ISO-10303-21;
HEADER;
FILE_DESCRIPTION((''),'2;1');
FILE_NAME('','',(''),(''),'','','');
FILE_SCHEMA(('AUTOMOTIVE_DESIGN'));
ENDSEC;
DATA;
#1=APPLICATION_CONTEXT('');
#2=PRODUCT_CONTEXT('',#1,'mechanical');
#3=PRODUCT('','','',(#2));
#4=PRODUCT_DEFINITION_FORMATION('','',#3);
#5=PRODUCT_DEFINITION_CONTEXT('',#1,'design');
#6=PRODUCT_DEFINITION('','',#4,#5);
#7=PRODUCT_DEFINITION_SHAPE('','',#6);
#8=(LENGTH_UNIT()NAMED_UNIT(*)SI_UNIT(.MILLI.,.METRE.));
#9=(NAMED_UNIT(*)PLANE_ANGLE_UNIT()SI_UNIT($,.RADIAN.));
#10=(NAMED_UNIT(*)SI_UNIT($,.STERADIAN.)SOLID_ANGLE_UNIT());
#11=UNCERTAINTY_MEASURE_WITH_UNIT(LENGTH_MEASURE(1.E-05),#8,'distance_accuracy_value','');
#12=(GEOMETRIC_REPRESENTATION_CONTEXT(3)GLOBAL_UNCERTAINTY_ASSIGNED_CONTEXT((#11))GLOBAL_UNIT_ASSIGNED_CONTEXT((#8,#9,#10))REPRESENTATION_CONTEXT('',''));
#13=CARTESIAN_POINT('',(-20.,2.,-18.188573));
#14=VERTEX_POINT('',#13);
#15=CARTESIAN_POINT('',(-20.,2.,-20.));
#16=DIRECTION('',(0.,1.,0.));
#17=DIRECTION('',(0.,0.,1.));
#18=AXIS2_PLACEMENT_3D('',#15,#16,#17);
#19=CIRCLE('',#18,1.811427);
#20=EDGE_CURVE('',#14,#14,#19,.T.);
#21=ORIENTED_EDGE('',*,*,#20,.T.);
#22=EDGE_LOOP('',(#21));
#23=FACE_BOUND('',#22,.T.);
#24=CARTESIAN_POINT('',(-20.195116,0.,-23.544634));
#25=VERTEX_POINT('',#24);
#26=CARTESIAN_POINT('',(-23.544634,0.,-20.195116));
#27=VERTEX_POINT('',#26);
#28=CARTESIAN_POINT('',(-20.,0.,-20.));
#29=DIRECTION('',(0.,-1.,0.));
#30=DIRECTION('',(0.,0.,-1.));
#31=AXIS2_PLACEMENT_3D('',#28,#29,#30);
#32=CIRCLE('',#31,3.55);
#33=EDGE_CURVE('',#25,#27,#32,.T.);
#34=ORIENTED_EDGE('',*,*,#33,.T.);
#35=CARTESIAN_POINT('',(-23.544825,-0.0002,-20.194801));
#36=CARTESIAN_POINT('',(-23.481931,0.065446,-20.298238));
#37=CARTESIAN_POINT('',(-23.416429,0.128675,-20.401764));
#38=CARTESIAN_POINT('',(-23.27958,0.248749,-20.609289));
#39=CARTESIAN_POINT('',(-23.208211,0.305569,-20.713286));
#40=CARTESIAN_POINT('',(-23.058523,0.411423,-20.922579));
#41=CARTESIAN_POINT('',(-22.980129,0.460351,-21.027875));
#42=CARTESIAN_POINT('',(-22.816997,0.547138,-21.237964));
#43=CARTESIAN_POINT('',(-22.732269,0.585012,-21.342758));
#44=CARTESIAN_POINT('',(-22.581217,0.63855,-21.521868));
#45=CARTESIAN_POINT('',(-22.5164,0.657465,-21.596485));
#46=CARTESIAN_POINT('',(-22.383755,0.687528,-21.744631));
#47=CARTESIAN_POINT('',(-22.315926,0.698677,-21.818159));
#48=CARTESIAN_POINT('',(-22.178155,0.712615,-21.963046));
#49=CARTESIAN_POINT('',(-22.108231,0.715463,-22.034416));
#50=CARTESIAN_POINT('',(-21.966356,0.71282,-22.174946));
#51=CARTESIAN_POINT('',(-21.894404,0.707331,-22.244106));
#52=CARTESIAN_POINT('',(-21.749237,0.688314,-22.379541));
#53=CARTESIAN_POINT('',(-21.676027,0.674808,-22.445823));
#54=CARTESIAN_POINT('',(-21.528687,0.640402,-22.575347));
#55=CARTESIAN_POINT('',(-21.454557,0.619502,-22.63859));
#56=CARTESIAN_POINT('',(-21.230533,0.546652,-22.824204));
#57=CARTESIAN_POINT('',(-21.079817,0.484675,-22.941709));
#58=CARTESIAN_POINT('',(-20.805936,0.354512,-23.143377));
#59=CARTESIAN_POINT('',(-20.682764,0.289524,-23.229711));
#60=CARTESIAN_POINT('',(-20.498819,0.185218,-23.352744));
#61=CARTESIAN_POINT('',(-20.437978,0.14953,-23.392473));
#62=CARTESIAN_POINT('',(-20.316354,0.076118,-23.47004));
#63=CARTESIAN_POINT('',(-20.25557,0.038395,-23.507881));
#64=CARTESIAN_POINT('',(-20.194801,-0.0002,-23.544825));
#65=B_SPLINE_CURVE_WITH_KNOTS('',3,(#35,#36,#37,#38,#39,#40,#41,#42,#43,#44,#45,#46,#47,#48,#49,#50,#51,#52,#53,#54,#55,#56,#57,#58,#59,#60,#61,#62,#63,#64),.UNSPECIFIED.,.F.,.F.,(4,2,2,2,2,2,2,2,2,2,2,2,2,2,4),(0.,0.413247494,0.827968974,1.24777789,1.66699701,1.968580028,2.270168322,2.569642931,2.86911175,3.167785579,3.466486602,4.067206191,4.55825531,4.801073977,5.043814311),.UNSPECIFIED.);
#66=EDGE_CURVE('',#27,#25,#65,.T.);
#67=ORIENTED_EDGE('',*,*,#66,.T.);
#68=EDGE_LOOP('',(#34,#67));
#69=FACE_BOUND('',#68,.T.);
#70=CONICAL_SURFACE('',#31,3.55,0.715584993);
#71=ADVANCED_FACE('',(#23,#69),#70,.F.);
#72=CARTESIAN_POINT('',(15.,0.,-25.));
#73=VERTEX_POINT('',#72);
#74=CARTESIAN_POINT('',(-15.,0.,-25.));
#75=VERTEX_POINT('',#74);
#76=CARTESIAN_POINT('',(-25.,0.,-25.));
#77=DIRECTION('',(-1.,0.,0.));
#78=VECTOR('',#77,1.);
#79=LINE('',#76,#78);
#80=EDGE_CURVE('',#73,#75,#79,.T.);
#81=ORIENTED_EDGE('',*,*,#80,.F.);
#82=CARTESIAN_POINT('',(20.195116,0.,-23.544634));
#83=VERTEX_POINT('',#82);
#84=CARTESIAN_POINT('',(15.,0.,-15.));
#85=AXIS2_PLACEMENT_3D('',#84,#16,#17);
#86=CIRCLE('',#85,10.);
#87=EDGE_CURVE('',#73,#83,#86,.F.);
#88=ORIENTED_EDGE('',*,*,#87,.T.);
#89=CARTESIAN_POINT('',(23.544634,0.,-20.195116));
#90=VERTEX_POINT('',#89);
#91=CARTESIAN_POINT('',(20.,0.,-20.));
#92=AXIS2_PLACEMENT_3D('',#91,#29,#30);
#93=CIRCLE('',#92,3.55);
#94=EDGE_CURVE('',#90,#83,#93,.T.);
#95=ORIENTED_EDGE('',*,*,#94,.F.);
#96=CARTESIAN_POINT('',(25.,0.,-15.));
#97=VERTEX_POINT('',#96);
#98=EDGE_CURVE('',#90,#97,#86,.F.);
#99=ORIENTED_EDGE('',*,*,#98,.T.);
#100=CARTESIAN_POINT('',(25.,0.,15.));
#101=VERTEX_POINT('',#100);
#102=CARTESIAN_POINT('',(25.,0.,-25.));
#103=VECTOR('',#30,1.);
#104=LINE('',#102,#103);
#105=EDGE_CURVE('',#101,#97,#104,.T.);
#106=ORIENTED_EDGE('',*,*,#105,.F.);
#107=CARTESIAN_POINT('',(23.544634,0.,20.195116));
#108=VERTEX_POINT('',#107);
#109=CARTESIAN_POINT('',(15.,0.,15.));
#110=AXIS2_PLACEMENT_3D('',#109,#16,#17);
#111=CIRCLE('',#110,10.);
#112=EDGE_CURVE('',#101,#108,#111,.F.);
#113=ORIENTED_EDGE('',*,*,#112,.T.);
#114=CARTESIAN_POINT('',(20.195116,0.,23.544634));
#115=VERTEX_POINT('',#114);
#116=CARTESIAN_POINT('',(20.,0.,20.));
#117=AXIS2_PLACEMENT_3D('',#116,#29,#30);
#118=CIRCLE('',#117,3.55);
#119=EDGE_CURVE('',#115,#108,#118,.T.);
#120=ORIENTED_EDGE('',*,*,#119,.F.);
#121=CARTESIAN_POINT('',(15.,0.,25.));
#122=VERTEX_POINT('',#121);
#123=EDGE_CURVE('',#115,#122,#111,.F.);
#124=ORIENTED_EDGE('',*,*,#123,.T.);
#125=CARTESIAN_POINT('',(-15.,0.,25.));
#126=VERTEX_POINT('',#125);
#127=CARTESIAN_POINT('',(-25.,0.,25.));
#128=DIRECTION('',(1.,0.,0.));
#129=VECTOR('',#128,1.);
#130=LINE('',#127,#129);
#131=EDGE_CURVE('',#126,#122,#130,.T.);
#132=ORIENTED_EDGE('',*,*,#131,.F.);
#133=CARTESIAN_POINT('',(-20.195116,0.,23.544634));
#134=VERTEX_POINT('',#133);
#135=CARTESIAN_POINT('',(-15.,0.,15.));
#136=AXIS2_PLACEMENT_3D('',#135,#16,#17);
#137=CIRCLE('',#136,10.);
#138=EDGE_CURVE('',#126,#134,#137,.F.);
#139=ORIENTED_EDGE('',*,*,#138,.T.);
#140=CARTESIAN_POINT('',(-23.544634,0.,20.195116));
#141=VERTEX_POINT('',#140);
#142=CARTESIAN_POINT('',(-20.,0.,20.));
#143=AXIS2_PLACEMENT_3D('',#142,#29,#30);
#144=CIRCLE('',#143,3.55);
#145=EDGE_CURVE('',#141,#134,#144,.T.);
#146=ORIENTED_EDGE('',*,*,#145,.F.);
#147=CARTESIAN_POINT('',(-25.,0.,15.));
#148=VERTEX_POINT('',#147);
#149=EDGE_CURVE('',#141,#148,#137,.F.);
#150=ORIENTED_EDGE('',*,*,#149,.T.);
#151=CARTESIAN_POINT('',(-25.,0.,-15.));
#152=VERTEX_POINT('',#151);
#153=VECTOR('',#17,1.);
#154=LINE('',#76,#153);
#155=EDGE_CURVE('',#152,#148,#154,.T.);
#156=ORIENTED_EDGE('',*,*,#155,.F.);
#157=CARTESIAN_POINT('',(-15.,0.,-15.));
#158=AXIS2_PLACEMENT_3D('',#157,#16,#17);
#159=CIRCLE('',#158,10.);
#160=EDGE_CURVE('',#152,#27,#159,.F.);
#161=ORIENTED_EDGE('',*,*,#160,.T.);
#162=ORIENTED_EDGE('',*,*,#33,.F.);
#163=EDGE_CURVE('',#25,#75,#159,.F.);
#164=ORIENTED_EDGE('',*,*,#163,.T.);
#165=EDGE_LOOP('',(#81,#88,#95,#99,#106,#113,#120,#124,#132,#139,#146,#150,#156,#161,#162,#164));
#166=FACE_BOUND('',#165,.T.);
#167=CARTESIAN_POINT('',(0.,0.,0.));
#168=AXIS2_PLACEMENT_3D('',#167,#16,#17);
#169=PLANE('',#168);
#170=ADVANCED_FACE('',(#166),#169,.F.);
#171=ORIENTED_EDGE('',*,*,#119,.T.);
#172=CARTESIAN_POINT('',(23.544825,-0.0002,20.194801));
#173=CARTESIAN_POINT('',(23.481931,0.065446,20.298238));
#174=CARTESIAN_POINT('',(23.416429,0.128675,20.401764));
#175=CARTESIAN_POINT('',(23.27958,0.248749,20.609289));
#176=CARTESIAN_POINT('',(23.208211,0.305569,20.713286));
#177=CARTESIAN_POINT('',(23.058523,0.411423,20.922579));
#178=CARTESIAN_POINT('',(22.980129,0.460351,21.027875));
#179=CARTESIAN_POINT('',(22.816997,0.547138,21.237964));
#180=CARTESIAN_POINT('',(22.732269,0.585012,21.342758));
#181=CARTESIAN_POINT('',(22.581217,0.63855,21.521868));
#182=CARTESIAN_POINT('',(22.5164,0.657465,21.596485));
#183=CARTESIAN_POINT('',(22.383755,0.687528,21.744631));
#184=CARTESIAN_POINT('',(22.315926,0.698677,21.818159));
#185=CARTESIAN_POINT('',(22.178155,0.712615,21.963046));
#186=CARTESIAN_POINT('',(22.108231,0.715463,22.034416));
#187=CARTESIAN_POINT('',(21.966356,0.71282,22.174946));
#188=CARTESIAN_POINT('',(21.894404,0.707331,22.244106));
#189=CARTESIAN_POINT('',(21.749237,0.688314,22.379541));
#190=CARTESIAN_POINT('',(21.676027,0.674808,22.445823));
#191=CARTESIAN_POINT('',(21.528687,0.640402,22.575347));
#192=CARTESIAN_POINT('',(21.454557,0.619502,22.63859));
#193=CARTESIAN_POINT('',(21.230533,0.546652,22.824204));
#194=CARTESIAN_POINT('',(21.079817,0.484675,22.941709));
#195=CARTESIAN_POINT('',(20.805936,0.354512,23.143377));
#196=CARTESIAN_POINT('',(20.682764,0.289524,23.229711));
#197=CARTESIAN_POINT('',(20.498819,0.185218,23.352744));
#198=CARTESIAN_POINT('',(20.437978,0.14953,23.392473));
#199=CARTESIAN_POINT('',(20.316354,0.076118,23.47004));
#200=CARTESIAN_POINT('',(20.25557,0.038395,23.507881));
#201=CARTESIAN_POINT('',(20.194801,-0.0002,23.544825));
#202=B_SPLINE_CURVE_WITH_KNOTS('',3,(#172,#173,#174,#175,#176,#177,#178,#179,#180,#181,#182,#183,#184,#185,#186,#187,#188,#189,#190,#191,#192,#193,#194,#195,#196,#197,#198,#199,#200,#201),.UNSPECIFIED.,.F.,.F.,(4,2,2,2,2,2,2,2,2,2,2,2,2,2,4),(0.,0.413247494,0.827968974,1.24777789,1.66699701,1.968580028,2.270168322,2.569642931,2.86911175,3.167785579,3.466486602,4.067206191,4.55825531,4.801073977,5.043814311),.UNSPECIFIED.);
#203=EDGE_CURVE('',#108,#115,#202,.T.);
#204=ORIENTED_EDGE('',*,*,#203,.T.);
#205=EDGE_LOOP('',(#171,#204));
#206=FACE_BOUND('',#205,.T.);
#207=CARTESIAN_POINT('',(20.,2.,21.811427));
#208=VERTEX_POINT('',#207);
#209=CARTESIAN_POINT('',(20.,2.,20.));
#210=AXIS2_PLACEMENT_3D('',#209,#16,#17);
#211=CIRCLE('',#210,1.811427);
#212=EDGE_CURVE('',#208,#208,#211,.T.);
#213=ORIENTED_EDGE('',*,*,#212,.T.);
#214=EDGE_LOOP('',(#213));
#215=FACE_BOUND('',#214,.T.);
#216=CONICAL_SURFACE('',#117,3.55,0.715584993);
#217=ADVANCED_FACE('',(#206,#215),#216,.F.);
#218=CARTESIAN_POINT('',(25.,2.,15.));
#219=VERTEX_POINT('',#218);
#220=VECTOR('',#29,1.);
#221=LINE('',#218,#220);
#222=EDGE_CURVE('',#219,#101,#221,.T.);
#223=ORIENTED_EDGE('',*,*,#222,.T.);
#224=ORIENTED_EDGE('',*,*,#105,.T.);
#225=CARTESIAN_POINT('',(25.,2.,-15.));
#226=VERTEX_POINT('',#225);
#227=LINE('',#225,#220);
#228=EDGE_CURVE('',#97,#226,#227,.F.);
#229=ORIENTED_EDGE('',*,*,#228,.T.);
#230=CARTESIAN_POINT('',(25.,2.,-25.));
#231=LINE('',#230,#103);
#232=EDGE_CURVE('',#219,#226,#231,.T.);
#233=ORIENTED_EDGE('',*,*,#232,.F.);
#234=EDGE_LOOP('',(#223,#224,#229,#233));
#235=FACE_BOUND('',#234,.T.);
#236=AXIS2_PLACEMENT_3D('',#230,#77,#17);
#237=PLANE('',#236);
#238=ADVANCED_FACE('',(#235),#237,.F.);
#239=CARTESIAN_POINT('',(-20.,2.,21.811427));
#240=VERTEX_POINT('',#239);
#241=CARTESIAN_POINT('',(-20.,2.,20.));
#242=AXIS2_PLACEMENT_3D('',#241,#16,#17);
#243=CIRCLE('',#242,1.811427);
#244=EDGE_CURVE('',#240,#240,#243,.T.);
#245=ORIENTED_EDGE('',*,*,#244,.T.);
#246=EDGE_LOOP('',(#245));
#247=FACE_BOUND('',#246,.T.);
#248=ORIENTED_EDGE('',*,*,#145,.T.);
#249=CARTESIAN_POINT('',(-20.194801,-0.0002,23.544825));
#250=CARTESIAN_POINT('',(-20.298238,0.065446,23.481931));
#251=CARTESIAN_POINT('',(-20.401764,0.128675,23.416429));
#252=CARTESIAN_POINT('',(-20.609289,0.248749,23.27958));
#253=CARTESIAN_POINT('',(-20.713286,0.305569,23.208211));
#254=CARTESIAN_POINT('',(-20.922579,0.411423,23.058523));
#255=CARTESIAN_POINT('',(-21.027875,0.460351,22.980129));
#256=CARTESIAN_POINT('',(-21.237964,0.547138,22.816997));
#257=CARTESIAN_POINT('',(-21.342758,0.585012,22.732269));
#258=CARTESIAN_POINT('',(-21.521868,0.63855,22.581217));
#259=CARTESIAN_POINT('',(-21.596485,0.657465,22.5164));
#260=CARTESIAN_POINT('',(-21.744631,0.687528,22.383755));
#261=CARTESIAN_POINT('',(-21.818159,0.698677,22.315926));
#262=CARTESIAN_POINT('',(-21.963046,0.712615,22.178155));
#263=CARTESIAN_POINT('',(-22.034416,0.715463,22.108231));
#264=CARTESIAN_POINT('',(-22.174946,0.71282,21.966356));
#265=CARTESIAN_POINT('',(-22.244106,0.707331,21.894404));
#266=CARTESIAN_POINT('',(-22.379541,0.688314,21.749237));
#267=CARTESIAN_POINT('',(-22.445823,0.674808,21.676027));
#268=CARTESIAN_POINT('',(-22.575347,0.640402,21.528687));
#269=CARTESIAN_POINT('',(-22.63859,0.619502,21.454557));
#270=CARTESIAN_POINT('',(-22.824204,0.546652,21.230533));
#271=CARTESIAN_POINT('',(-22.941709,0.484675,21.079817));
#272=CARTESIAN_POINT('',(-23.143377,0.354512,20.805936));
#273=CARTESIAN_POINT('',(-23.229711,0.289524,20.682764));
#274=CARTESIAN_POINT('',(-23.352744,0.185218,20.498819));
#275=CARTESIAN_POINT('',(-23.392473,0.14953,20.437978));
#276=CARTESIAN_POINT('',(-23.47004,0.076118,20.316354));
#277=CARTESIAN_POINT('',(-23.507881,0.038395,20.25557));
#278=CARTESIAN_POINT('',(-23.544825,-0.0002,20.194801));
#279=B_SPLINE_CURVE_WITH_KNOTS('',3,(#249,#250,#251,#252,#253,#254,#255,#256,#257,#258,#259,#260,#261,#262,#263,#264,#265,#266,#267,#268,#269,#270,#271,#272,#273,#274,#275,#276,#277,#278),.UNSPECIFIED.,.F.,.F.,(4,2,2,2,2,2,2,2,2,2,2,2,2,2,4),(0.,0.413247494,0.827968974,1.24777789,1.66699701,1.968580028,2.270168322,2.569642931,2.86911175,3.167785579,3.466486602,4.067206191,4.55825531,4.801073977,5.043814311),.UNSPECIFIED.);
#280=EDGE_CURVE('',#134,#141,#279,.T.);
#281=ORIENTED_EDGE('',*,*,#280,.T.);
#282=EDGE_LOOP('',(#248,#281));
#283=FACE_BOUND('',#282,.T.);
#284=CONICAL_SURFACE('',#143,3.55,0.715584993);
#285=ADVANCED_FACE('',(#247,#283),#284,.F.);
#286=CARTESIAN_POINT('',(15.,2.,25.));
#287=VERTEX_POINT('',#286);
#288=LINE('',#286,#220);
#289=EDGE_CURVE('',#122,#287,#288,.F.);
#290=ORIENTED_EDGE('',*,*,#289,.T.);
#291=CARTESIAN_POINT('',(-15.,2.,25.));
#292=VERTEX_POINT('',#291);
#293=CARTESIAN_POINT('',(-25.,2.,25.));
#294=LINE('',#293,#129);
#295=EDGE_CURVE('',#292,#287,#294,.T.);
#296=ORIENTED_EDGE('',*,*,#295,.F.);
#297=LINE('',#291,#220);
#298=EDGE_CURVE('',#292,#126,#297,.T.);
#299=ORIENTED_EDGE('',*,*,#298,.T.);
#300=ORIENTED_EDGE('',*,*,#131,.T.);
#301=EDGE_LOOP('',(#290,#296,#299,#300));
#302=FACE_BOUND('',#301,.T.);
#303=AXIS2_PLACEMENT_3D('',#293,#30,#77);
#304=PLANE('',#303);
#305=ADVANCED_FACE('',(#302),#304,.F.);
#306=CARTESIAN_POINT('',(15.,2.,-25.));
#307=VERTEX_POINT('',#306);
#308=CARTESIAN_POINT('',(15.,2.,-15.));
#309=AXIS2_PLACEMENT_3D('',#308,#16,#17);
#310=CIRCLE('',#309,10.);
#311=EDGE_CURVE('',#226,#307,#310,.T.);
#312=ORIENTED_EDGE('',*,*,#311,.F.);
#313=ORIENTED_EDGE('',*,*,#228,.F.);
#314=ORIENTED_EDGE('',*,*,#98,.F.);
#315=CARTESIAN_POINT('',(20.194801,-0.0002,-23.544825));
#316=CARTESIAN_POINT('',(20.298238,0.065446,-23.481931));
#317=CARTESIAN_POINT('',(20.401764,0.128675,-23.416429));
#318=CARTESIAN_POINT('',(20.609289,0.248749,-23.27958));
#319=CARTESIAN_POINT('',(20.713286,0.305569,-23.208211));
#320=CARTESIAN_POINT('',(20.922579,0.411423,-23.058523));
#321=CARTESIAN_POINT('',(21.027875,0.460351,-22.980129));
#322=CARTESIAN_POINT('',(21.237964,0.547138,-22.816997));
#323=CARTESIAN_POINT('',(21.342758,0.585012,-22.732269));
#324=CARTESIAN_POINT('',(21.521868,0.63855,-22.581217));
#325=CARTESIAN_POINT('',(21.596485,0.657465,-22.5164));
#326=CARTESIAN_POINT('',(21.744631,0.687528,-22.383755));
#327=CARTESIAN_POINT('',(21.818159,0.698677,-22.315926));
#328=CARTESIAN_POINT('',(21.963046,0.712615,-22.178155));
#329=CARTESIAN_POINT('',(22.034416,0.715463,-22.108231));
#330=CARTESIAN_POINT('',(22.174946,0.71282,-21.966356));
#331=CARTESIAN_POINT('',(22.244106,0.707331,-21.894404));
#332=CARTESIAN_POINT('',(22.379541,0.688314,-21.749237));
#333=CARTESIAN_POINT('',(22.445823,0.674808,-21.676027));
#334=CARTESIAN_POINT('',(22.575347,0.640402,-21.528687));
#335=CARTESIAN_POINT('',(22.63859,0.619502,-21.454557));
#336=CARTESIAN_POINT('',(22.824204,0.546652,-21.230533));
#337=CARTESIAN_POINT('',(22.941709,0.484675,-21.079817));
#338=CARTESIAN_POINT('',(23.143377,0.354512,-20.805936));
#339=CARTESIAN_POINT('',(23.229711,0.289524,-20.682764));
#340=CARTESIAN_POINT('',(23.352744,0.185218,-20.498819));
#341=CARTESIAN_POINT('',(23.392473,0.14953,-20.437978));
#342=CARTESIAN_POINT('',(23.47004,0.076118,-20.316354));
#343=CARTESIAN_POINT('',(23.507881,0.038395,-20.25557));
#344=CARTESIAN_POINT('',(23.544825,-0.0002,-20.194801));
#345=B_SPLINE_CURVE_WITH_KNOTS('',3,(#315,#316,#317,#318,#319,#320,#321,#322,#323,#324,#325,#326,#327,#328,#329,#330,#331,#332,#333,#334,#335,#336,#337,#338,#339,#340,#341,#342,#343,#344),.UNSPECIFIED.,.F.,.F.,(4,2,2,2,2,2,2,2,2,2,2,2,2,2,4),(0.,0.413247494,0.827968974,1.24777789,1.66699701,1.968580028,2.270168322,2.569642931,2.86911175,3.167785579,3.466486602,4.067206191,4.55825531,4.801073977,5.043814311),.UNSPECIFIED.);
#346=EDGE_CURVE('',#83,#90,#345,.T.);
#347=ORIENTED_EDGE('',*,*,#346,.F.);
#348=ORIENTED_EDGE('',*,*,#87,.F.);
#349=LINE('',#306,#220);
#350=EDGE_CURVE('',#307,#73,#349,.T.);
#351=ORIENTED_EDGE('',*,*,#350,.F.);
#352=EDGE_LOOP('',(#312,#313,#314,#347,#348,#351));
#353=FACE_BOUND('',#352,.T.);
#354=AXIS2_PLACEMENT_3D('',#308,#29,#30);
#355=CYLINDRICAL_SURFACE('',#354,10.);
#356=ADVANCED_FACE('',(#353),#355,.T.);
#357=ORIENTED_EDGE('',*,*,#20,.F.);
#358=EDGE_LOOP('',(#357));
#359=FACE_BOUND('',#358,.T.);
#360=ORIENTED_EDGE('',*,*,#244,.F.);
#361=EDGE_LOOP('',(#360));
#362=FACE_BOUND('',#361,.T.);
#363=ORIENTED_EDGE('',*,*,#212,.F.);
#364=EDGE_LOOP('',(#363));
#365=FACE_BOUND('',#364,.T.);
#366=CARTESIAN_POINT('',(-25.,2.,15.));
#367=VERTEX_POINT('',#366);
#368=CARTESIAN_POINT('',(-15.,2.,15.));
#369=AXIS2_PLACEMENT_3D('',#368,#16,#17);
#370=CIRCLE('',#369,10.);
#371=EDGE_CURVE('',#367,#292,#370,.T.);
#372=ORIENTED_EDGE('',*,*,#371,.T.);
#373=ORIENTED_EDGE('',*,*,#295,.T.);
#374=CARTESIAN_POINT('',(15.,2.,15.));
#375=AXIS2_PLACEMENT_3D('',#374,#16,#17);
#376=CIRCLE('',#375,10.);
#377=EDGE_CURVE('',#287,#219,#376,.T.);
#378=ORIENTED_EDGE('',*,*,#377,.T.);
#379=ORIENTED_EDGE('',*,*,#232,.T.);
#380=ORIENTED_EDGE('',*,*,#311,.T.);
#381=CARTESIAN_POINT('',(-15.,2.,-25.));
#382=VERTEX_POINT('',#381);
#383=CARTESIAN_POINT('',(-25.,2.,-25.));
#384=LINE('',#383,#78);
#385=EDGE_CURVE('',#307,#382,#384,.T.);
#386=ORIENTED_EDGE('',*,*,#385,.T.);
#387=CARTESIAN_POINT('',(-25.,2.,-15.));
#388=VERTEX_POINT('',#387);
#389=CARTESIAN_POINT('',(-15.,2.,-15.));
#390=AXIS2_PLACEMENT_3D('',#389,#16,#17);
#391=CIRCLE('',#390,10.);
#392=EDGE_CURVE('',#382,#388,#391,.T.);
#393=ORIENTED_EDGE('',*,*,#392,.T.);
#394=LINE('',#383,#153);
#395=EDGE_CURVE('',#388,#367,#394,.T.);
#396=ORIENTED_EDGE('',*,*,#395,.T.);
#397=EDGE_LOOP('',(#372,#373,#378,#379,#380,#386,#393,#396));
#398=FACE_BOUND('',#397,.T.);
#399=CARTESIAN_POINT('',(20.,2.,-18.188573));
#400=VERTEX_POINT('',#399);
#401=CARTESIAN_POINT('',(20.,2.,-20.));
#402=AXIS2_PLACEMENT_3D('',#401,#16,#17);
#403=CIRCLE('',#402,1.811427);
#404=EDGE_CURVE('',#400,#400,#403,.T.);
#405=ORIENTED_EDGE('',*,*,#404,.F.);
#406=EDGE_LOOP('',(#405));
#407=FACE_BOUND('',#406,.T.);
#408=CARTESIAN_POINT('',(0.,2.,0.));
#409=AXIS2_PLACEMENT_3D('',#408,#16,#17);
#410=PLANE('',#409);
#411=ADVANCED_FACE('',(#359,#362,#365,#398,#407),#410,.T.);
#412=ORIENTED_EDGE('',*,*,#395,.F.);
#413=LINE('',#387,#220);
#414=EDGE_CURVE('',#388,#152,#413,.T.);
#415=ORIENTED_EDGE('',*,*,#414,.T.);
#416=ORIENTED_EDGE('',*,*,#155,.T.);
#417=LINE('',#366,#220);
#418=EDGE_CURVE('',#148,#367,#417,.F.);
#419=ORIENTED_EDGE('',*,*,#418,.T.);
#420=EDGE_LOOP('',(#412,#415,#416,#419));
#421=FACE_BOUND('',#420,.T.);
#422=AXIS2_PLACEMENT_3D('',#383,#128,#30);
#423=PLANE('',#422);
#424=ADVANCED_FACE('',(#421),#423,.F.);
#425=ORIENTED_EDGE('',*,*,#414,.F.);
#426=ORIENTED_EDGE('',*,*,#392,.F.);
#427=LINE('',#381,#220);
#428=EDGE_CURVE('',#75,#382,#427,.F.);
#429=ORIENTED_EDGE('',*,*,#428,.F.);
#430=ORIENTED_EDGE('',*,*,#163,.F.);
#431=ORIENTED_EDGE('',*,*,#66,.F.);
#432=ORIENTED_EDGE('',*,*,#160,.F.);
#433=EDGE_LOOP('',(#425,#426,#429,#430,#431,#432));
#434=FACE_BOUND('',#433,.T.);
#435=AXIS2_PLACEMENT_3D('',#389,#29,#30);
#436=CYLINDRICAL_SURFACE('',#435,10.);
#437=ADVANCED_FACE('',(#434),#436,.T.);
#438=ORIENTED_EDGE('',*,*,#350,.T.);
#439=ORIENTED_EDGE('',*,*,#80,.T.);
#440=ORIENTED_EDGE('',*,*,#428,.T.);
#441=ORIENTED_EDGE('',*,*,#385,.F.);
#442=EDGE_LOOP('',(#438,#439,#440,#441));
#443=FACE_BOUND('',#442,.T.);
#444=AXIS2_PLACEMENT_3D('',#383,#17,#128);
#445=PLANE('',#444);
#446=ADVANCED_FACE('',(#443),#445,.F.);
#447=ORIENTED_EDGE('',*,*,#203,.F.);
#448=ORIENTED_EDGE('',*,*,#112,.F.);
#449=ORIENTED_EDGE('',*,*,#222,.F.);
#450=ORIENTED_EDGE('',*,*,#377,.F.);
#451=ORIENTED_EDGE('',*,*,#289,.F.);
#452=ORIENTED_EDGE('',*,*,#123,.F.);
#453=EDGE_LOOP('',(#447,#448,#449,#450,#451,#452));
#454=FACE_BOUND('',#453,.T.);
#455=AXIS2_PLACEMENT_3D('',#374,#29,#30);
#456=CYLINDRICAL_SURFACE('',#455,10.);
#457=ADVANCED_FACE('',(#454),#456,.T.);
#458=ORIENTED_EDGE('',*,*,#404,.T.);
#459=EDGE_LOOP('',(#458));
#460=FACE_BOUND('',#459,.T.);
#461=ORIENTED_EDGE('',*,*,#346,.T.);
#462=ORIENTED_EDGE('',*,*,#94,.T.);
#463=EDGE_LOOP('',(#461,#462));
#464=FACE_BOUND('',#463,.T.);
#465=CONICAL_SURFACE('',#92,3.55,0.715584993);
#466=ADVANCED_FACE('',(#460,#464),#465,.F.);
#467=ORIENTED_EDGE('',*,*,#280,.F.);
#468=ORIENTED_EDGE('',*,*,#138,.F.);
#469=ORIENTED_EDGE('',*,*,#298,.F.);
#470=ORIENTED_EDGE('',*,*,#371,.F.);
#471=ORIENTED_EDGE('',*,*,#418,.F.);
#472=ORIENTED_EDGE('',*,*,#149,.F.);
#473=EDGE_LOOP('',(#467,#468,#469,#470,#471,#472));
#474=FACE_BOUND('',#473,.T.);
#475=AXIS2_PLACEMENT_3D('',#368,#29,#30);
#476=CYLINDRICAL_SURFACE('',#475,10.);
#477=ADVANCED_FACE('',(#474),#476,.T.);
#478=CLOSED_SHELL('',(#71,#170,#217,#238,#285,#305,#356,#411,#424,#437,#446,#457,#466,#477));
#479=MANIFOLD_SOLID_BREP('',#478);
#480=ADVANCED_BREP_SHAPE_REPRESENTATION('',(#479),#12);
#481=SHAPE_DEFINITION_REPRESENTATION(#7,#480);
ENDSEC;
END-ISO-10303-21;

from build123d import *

# Parameters (mm, degrees)
SKETCH1_W           = 50
SKETCH1_H           = 50
BOSS_EXTRUDE1_DEPTH = 2
FILLET2_R           = 10
HOLE1_D             = 3.6
HOLE1_DEPTH         = 10
HOLE1_CSINK_D       = 7.1
HOLE1_CSINK_ANGLE   = 82


with BuildPart() as part:
    # Sketch1 → Boss-Extrude1 (new body)
    with BuildSketch(Plane(origin=(0, 0, 0), x_dir=(1, 0, 0), z_dir=(0, 1, 0))):
        Rectangle(SKETCH1_W, SKETCH1_H)
    extrude(amount=BOSS_EXTRUDE1_DEPTH)

    # Fillet2
    fillet2_edges = [part.edges().sort_by_distance(p)[0] for p in [
        (25, 1, 25),
        (-25, 1, 25),
        (-25, 1, -25),
        (25, 1, -25),
    ]]
    fillet(fillet2_edges, radius=FILLET2_R)

    # Hole1
    with Locations(Plane(origin=(-20, 0, 20), x_dir=(0, 0, -1), z_dir=(0, -1, 0))):
        with Locations((0, 0), (0, 40), (40, 40), (40, 0)):
            CounterSinkHole(HOLE1_D / 2, HOLE1_CSINK_D / 2, depth=HOLE1_DEPTH, counter_sink_angle=HOLE1_CSINK_ANGLE)


solid = part.part
